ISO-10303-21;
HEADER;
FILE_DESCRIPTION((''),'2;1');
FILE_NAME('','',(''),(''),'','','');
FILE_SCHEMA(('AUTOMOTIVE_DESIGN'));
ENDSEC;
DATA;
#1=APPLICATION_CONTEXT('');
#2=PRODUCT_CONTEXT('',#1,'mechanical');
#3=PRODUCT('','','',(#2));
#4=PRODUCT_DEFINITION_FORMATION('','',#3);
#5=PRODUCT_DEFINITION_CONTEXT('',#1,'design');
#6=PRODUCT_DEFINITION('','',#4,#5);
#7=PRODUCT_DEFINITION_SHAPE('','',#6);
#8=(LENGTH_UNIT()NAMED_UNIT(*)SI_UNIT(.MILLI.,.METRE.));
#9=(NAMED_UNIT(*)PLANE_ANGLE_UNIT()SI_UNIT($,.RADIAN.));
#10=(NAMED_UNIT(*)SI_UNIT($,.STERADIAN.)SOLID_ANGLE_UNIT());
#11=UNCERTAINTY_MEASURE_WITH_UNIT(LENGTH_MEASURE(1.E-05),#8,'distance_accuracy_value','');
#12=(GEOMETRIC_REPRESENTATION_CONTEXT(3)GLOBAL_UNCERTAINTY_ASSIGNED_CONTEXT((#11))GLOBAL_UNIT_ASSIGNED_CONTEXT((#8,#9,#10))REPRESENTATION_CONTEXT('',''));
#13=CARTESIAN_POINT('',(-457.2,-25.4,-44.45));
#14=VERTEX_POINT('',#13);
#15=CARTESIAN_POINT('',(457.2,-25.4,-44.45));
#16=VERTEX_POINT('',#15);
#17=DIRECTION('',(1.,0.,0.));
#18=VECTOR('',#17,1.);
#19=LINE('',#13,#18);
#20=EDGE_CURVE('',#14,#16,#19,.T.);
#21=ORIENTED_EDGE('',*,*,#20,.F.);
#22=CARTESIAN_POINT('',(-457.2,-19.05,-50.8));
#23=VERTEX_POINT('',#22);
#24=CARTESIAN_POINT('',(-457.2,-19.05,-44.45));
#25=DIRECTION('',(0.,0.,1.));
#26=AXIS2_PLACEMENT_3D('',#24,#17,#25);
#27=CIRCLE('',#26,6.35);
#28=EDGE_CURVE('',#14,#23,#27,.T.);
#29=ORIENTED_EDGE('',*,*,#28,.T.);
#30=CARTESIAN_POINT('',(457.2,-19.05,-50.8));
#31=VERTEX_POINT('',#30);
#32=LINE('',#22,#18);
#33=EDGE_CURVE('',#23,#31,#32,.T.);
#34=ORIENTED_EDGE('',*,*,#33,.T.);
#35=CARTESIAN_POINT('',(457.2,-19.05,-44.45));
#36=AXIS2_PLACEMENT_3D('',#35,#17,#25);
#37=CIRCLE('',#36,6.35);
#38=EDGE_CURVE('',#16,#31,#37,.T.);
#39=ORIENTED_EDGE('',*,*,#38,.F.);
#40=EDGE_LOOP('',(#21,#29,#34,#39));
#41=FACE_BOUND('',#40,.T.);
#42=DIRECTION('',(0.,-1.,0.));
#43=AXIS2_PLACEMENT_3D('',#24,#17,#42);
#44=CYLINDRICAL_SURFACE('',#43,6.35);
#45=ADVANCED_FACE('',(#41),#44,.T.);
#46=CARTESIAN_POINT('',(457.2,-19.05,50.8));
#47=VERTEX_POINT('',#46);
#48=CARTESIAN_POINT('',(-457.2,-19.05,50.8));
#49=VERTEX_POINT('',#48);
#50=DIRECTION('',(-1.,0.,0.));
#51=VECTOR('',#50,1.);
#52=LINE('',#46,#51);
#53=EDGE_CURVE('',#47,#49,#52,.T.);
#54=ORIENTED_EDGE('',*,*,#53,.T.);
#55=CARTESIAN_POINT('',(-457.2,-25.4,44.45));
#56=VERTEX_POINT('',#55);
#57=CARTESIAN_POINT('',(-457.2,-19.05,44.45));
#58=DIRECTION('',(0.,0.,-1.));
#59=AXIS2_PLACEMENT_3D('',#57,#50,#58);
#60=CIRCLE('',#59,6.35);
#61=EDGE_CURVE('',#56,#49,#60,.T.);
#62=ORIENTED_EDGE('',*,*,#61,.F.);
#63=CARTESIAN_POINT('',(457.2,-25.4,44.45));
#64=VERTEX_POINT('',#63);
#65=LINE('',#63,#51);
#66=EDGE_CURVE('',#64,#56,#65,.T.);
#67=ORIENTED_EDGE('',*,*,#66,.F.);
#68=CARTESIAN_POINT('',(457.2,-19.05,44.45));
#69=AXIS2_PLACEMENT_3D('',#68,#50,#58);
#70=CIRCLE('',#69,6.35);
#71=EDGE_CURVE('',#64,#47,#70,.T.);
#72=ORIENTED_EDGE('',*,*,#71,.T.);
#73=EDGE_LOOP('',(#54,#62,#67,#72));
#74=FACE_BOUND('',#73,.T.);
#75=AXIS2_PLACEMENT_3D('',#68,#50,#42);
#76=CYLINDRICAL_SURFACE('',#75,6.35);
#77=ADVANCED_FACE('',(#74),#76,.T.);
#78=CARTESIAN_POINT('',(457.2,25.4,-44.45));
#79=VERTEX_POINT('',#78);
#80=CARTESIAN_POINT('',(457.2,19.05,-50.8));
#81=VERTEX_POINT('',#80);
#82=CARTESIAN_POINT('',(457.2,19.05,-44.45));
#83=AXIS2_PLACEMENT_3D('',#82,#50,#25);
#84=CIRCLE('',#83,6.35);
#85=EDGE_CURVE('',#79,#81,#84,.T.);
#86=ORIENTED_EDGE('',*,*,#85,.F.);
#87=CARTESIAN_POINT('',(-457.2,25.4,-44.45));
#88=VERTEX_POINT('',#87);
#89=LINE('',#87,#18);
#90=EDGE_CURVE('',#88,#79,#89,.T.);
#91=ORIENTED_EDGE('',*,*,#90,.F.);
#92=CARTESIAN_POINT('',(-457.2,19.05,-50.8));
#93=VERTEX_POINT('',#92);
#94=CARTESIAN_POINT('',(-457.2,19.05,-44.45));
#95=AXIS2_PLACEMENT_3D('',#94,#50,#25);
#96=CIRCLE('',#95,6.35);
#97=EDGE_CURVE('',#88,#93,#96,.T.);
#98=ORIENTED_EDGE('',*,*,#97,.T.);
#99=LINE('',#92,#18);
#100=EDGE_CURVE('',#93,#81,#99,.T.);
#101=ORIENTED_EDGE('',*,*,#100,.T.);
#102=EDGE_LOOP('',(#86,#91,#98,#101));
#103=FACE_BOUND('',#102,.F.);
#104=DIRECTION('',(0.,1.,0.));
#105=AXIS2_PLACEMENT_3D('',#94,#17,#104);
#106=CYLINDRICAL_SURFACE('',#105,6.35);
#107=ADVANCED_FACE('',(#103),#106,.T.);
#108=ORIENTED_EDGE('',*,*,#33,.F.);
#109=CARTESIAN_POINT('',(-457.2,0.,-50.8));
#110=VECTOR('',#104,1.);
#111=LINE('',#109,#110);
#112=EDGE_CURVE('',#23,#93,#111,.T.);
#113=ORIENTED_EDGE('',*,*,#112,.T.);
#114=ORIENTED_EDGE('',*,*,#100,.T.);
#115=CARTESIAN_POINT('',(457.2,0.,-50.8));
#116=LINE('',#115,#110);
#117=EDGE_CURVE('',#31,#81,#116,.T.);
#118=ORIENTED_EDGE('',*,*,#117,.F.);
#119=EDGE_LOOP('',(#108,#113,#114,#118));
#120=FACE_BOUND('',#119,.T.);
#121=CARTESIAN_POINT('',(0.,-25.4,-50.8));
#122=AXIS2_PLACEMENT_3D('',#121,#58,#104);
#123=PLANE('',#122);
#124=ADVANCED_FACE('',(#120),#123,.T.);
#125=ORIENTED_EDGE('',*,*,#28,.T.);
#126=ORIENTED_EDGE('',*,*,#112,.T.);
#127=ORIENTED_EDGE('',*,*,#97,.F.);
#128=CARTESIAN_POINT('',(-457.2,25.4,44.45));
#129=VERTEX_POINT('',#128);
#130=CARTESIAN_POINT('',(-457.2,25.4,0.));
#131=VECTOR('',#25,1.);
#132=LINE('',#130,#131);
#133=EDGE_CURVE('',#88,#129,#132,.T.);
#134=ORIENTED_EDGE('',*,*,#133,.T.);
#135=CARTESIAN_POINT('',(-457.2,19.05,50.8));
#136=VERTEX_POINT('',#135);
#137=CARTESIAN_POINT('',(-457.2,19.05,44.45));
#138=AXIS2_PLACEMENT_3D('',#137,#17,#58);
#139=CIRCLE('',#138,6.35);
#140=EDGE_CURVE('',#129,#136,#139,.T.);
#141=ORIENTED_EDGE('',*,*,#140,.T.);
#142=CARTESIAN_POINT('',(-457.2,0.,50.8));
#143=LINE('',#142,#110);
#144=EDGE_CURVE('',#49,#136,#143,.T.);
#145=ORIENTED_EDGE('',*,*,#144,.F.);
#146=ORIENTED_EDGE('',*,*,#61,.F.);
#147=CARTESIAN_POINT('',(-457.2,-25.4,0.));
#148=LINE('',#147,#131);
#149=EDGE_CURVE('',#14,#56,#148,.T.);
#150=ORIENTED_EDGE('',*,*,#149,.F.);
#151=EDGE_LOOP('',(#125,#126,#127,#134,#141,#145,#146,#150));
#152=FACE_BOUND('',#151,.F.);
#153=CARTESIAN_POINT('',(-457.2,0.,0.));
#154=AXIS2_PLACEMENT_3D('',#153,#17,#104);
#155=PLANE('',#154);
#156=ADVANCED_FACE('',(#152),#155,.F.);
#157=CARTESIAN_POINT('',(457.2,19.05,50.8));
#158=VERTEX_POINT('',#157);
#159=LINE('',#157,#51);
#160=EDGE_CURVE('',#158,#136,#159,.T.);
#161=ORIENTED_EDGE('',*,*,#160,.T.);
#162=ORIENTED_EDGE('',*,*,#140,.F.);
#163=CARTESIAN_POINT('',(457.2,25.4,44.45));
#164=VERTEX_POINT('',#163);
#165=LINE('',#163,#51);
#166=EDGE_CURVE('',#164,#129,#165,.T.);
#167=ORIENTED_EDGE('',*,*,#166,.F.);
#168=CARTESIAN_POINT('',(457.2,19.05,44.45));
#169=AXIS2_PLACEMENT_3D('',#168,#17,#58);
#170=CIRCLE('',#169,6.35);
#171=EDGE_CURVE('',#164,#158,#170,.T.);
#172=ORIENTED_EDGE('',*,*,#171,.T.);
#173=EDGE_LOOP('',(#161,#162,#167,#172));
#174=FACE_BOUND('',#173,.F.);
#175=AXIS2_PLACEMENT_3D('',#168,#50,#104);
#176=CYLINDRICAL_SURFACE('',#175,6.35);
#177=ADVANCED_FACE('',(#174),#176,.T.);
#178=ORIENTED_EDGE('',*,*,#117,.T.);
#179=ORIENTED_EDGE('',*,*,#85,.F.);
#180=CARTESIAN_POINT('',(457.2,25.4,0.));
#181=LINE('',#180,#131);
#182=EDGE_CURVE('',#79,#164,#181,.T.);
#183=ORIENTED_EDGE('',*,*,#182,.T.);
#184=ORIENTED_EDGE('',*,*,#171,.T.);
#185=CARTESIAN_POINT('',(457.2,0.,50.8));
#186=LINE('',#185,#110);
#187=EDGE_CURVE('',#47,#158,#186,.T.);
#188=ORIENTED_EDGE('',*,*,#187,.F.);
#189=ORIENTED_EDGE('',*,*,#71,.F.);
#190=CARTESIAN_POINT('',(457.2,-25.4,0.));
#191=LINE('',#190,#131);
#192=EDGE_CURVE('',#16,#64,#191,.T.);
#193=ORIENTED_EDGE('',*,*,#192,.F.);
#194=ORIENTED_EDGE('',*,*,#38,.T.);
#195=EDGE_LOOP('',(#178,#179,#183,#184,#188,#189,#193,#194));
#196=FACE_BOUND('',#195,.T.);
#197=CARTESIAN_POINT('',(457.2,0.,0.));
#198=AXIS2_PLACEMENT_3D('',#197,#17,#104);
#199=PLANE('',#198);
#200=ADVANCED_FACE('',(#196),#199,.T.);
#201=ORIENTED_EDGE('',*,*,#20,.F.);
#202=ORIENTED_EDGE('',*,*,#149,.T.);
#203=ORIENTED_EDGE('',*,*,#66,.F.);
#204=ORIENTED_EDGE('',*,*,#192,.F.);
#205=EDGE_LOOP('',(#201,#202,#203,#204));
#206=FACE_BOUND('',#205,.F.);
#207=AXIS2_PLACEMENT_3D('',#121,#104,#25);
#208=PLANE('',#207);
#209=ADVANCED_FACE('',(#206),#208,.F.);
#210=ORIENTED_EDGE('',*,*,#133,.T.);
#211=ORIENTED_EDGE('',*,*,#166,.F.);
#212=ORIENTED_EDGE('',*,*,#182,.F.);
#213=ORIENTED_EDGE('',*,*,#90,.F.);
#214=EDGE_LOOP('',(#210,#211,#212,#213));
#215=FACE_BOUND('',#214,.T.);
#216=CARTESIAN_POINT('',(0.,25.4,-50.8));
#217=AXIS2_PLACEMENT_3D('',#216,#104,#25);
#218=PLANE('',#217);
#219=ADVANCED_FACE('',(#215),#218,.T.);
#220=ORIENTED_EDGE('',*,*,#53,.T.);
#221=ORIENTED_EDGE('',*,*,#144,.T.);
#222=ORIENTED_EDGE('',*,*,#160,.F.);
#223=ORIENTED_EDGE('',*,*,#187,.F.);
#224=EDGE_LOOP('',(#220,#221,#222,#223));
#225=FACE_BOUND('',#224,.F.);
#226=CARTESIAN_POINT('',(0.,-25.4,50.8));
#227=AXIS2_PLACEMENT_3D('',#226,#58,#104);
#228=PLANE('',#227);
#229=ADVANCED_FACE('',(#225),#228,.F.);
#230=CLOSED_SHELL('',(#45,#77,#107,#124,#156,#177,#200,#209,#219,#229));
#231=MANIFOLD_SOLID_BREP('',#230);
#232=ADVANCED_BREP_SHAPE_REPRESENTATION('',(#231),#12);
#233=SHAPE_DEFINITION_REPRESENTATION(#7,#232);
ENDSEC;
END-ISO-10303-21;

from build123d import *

# Parameters (mm, degrees)
F0_W     = 50.8
F0_H     = 101.6
F1_DEPTH = 457.2
F2_R     = 6.35


with BuildPart() as f1:
    # F0 (on Right) → F1 (new body, symmetric)
    with BuildSketch(Plane.YZ):
        Rectangle(F0_W, F0_H)
    extrude(amount=F1_DEPTH, both=True)

    # F2
    f2_edges = [f1.edges().sort_by_distance(p)[0] for p in [
        (0, -25.4, -50.8),
        (0, 25.4, -50.8),
        (0, -25.4, 50.8),
        (0, 25.4, 50.8),
    ]]
    fillet(f2_edges, radius=F2_R)


solid = f1.part
